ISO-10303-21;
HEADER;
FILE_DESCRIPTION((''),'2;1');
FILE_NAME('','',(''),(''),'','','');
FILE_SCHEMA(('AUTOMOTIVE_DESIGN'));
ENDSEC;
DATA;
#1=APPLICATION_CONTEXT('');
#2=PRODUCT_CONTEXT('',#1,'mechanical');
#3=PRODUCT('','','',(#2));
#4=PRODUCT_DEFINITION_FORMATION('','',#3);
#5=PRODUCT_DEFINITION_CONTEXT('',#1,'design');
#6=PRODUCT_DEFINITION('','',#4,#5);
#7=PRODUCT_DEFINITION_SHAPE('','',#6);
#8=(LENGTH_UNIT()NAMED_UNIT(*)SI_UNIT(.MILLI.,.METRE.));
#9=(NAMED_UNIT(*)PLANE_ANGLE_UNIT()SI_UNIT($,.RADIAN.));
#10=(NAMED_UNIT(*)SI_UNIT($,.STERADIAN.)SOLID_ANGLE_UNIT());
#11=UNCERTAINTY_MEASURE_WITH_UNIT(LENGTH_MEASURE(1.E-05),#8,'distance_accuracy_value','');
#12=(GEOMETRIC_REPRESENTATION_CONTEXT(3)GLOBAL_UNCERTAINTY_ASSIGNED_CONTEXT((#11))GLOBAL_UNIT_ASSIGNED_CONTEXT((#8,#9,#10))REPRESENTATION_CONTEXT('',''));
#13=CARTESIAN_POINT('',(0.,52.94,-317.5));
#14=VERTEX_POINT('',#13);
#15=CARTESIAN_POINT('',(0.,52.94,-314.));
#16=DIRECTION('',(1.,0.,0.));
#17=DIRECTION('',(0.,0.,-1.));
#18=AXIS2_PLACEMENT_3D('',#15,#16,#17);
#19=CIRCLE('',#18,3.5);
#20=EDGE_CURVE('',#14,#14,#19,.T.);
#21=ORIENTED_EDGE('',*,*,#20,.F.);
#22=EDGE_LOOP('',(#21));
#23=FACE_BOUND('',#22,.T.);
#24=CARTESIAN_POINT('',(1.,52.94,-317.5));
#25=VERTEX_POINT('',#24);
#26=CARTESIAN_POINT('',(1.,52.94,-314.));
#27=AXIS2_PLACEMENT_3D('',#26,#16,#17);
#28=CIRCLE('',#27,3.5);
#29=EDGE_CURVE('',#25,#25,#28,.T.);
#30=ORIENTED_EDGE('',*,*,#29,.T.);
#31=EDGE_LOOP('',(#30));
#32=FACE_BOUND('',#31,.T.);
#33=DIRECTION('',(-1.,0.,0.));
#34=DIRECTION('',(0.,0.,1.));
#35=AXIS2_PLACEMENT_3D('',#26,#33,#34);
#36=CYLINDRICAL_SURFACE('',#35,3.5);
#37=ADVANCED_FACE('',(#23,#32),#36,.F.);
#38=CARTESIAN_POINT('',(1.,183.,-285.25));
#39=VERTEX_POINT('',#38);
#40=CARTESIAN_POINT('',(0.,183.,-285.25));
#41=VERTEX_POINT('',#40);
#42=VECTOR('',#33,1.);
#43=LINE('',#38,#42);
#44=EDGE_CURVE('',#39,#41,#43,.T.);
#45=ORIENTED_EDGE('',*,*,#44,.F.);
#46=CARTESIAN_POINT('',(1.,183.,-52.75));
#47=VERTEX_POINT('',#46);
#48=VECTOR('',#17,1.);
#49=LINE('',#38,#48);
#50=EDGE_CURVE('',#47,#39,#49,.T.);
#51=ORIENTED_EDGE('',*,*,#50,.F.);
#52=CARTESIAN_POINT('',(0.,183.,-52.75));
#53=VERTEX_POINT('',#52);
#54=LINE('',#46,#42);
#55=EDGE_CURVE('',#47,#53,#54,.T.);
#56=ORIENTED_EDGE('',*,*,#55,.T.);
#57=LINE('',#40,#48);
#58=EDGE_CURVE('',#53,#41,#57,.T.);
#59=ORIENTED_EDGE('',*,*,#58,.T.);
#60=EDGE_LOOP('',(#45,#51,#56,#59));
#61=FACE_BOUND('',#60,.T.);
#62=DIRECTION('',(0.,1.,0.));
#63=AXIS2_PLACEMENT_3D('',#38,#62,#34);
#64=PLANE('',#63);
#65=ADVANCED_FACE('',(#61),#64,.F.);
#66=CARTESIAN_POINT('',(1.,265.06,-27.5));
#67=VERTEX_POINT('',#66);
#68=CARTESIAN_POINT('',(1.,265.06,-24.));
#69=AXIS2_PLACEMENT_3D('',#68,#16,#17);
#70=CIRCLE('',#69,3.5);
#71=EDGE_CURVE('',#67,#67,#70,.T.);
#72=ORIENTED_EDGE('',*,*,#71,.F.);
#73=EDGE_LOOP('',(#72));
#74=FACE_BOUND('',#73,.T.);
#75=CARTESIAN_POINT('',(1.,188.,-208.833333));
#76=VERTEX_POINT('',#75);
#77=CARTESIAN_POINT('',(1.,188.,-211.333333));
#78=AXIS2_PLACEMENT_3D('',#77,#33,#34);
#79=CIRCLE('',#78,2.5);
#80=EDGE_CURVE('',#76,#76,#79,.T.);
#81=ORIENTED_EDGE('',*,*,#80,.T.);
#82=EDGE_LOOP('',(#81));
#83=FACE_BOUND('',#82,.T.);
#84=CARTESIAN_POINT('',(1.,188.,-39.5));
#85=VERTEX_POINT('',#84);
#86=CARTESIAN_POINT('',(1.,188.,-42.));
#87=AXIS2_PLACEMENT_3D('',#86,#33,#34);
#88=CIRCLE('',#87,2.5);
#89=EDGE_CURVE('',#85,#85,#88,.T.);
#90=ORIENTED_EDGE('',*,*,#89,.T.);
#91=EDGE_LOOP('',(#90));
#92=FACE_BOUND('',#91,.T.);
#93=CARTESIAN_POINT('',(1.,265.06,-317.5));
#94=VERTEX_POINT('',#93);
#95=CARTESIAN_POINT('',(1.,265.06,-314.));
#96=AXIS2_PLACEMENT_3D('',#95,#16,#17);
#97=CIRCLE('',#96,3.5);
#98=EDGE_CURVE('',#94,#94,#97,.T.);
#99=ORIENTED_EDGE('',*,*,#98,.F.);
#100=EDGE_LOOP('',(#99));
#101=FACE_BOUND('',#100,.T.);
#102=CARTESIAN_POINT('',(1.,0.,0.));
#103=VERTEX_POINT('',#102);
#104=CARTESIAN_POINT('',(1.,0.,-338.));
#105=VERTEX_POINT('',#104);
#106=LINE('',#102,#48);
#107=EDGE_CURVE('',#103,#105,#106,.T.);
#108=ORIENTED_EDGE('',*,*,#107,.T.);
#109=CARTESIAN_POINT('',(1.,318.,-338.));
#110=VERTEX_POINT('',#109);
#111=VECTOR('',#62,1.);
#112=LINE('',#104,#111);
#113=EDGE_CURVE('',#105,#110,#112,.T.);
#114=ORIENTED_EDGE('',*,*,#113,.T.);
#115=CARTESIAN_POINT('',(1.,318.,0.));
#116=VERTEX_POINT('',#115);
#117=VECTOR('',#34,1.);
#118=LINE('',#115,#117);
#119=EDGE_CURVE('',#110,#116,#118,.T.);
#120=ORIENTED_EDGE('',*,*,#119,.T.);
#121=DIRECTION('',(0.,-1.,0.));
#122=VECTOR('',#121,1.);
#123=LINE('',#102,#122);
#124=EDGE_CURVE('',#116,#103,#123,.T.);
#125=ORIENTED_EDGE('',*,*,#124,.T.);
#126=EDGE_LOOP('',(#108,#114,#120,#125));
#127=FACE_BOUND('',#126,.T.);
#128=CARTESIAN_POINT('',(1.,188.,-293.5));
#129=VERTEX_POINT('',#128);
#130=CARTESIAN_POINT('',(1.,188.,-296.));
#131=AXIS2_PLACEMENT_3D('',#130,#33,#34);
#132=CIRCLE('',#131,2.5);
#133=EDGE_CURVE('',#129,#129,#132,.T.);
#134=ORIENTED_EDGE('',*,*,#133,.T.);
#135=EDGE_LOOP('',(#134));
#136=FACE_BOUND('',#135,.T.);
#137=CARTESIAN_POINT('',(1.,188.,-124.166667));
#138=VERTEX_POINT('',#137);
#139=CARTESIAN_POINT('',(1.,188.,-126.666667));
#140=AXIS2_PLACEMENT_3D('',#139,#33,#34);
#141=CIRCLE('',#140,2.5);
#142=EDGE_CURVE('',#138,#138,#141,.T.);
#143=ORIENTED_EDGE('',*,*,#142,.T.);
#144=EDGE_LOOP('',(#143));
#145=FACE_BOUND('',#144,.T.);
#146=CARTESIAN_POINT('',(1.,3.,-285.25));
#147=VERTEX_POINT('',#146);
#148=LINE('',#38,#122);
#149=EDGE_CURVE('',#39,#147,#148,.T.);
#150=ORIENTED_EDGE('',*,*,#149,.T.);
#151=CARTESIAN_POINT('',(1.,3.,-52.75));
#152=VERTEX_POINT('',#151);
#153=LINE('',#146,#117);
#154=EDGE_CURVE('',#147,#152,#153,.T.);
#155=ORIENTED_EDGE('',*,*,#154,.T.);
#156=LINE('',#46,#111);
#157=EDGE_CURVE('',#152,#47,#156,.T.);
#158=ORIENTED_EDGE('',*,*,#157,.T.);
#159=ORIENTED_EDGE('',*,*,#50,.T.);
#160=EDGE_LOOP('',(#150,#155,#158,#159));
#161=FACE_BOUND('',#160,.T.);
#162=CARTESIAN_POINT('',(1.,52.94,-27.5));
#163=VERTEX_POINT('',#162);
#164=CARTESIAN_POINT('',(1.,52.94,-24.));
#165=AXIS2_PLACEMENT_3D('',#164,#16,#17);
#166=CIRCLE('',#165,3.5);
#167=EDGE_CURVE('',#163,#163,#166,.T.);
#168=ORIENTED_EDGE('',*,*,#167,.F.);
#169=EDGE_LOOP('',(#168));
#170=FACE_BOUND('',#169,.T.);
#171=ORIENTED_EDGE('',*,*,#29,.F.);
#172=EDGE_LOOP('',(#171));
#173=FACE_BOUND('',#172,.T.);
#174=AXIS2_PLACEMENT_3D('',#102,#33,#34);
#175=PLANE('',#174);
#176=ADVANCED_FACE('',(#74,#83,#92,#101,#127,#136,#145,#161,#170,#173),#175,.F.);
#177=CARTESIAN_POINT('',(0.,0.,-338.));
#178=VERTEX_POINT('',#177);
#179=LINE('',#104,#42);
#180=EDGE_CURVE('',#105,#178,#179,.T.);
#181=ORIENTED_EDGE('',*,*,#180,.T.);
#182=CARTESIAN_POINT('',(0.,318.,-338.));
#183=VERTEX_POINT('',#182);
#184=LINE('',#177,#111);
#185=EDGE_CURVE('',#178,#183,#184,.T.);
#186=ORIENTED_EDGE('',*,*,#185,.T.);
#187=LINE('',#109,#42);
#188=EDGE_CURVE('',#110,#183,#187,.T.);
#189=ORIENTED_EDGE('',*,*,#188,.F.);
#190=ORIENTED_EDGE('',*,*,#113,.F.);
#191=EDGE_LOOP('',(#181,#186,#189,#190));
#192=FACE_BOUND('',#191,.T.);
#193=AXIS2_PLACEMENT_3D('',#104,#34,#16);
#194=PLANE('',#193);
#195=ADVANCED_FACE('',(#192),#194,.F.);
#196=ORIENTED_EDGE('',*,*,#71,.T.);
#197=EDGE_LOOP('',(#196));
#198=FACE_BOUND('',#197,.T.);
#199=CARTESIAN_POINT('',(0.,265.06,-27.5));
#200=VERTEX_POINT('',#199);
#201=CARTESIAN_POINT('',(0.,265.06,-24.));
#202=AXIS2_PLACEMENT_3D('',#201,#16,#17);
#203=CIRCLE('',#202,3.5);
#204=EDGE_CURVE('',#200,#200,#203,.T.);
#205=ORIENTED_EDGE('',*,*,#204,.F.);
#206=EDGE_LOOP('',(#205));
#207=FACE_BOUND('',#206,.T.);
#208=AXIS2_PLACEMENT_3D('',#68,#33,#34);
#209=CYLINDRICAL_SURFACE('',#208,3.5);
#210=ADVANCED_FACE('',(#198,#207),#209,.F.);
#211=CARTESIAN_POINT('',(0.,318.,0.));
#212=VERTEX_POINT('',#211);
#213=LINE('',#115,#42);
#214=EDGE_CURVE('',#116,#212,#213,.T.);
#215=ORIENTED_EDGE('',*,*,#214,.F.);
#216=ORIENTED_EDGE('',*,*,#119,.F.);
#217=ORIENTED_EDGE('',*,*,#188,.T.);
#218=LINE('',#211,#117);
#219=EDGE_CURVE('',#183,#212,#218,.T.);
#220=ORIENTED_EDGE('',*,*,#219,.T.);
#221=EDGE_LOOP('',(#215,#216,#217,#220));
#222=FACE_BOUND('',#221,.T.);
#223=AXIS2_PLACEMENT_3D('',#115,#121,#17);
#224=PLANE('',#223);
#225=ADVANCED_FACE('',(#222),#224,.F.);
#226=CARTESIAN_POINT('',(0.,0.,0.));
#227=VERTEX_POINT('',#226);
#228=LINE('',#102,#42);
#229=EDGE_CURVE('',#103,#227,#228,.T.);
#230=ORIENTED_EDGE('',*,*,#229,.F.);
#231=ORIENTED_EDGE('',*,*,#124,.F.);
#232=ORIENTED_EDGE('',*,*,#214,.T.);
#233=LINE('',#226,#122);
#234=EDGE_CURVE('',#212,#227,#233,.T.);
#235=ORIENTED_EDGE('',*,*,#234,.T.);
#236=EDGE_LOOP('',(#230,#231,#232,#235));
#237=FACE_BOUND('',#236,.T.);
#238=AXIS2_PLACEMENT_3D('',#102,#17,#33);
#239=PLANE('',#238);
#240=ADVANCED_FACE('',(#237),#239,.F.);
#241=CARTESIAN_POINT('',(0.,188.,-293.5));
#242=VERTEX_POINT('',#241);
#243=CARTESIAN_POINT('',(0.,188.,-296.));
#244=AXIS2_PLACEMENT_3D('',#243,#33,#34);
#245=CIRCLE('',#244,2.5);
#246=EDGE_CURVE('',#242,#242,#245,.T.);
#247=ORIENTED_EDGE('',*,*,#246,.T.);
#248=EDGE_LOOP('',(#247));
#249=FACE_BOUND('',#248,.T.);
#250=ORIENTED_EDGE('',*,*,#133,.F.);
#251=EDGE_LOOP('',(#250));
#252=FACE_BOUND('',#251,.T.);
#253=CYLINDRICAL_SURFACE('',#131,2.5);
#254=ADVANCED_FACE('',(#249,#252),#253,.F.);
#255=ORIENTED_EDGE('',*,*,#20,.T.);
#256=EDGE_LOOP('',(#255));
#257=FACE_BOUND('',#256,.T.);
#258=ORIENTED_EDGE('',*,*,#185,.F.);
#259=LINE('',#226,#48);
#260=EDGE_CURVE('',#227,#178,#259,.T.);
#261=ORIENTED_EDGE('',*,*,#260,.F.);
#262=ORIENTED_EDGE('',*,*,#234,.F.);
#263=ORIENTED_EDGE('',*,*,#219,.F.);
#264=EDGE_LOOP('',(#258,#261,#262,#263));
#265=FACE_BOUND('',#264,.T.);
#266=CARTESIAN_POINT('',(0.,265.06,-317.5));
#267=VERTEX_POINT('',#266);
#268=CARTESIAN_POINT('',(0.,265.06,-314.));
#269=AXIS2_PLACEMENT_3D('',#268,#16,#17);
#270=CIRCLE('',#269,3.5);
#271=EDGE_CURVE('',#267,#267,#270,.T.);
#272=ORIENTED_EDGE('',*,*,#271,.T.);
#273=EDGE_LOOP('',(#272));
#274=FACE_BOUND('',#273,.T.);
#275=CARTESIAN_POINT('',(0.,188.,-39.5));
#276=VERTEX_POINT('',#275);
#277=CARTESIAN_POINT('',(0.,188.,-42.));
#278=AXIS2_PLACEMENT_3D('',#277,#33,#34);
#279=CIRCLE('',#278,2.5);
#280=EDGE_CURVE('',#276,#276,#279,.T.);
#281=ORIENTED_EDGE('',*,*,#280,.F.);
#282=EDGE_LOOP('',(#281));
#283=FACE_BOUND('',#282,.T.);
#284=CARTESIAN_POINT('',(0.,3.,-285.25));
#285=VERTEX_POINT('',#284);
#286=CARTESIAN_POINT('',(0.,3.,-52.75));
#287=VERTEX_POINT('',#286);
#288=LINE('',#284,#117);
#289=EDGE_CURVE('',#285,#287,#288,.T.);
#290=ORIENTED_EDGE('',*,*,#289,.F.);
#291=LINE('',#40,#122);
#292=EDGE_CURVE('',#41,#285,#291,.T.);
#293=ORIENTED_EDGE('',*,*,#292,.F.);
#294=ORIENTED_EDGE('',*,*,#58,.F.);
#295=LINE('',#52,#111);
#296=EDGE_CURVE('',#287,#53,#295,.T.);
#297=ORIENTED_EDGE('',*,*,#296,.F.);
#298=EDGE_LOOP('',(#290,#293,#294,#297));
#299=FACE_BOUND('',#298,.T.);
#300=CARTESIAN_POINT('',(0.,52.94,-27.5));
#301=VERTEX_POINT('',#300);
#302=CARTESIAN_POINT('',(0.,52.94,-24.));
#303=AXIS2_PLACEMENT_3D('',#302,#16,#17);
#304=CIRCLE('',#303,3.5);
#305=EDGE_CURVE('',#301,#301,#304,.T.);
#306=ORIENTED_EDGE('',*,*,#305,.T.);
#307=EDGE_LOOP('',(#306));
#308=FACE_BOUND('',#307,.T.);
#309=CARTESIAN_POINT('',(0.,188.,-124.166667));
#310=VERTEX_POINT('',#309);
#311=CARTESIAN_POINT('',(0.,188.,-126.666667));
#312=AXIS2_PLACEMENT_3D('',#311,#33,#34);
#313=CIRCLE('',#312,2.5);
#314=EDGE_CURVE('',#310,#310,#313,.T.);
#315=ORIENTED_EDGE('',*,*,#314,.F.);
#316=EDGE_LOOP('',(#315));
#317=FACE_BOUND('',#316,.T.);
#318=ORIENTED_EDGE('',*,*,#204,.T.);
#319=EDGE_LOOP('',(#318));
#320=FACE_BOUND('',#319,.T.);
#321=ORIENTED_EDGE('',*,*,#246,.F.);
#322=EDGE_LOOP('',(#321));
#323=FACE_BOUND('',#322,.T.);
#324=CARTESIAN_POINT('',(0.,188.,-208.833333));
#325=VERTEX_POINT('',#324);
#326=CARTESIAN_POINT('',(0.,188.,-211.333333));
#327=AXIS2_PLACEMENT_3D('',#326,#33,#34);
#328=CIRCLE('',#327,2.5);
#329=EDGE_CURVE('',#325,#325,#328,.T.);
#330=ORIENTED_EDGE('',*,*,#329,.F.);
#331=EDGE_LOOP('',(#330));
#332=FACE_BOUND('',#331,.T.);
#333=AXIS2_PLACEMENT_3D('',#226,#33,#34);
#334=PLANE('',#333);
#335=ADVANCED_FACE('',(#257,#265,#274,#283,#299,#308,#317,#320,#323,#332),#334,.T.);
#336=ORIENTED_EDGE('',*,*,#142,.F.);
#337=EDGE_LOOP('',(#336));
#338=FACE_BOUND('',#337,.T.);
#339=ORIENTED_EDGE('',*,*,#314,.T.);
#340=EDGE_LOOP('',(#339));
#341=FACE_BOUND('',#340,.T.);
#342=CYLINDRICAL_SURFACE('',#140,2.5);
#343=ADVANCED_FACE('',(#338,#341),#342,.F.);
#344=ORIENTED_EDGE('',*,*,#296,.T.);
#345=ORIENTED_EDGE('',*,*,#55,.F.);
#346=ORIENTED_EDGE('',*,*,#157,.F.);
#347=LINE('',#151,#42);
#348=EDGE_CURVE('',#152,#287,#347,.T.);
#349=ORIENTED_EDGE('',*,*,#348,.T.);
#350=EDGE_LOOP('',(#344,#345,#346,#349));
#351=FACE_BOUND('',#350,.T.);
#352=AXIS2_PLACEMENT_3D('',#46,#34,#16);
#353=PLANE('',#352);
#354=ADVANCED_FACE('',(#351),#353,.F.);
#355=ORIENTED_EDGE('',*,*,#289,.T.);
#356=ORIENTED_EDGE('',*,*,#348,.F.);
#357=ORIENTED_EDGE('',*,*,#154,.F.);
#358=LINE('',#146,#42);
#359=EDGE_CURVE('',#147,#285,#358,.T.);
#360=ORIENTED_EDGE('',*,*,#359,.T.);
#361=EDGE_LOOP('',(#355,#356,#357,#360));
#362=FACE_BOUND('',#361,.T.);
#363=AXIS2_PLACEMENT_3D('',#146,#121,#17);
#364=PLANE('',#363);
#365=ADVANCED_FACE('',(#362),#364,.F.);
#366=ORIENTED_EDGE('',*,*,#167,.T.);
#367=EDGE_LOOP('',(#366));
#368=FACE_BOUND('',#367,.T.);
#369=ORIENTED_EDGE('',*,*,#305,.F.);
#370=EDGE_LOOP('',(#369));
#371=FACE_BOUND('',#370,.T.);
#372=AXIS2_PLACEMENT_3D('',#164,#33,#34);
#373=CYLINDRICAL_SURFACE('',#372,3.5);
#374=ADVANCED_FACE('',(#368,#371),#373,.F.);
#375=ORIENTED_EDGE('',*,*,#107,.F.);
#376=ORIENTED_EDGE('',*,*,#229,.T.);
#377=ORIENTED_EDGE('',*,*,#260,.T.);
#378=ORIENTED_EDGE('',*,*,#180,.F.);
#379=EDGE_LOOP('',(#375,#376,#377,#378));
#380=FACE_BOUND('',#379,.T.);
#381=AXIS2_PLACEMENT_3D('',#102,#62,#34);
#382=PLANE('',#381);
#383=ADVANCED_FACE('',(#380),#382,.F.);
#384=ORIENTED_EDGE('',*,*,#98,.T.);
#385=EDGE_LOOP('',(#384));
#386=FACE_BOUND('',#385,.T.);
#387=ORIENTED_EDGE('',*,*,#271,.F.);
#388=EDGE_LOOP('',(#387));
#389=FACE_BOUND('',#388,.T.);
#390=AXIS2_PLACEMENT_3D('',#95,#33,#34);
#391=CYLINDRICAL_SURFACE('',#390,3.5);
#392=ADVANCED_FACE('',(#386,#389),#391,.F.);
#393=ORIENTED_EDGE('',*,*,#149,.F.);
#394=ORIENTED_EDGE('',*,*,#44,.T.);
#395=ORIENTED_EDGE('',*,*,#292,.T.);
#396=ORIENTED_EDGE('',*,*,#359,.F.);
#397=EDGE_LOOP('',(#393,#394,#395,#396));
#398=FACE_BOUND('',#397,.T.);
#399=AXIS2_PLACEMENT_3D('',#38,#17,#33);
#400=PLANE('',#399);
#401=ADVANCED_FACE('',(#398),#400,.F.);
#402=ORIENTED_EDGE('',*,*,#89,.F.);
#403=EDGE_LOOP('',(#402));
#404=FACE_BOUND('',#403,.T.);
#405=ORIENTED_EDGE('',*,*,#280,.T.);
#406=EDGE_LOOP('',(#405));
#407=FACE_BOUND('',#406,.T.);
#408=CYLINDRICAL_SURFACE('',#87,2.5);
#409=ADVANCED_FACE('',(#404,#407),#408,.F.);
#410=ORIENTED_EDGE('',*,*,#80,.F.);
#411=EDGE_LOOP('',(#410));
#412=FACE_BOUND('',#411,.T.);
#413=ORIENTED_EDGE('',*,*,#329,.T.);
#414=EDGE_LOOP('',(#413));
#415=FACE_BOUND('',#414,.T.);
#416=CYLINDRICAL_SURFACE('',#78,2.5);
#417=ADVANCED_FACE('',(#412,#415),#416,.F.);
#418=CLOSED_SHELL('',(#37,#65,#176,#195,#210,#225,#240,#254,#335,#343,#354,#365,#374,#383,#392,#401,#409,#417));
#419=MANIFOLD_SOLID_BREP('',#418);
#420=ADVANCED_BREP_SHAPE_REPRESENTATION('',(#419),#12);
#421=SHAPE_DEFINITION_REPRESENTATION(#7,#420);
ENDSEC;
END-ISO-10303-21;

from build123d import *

# Parameters (mm, degrees)
SKETCH1_W           = 338
SKETCH1_H           = 318
SKETCH1_R           = 3.5
BOSS_EXTRUDE1_DEPTH = 1
SKETCH2_R           = 2.5
SKETCH2_W           = 232.5
SKETCH2_H           = 180
CUT_EXTRUDE1_DEPTH  = 2


with BuildPart() as part:
    # Sketch1 → Boss-Extrude1 (new body)
    with BuildSketch(Plane(origin=(0, 0, 0), x_dir=(0, 0, -1), z_dir=(1, 0, 0))):
        with Locations((169, 159)):
            Rectangle(SKETCH1_W, SKETCH1_H)
        with Locations((24, 265.06)):
            Circle(SKETCH1_R, mode=Mode.SUBTRACT)
        with Locations((314, 265.06)):
            Circle(SKETCH1_R, mode=Mode.SUBTRACT)
        with Locations((314, 52.94)):
            Circle(SKETCH1_R, mode=Mode.SUBTRACT)
        with Locations((24, 52.94)):
            Circle(SKETCH1_R, mode=Mode.SUBTRACT)
    extrude(amount=BOSS_EXTRUDE1_DEPTH)

    # Sketch2 → Cut-Extrude1 (cut, through all)
    with BuildSketch(Plane.ZY):
        with Locations((-296, 188)):
            Circle(SKETCH2_R)
        with Locations((-211.333333333, 188)):
            Circle(SKETCH2_R)
        with Locations((-126.666666667, 188)):
            Circle(SKETCH2_R)
        with Locations((-42, 188)):
            Circle(SKETCH2_R)
        with Locations((-169, 93)):
            Rectangle(SKETCH2_W, SKETCH2_H)
    extrude(amount=-CUT_EXTRUDE1_DEPTH, mode=Mode.SUBTRACT)


solid = part.part
